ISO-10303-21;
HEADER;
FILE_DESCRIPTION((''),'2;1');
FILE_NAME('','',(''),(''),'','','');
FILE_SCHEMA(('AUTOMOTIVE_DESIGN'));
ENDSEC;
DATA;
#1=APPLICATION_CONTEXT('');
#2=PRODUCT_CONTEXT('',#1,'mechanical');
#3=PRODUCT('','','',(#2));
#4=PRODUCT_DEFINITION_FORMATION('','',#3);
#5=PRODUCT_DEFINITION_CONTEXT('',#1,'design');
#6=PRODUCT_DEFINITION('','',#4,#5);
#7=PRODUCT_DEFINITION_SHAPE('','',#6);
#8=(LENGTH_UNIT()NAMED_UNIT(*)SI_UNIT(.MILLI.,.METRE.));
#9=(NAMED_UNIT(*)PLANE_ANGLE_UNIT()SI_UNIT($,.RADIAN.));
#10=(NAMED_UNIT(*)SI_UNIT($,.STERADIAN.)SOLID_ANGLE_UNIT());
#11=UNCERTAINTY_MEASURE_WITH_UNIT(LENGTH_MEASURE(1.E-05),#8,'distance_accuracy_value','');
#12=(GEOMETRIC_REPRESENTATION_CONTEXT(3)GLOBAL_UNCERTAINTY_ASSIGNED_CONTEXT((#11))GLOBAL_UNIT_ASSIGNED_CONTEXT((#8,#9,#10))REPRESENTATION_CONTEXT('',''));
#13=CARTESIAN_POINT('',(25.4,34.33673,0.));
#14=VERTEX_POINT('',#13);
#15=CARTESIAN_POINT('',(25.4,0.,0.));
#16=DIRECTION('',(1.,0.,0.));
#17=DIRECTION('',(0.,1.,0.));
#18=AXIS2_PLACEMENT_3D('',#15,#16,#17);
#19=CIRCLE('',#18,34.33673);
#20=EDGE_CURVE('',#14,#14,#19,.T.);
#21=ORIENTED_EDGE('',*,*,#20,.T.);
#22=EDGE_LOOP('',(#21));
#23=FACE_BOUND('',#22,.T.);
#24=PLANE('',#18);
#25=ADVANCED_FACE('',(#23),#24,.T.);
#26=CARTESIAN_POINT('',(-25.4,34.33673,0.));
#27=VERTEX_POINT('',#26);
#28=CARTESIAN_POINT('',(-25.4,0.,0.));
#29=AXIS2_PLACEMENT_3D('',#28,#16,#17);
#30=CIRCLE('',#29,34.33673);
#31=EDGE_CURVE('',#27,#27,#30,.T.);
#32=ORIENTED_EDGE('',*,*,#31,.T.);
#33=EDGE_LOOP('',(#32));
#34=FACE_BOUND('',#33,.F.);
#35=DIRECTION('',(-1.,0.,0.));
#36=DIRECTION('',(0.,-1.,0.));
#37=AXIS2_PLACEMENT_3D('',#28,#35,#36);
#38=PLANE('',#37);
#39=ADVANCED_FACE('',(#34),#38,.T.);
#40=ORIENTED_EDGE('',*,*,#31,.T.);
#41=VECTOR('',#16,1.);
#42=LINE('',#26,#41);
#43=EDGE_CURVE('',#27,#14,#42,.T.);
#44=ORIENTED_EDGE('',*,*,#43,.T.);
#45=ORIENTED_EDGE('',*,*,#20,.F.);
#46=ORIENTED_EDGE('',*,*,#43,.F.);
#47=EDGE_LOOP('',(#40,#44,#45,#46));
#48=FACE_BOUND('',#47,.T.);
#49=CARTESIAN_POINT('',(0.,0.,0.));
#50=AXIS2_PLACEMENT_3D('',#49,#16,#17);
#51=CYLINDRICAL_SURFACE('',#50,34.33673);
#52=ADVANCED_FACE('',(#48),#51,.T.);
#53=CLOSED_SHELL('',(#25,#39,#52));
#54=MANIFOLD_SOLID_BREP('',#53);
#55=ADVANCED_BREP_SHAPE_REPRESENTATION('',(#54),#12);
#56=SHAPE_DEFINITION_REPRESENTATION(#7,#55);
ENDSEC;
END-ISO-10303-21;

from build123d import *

# Parameters (mm, degrees)
F0_R     = 34.33673
F1_DEPTH = 25.4


with BuildPart() as f1:
    # F0 (on Right) → F1 (new body)
    with BuildSketch(Plane.YZ):
        Circle(F0_R)
    extrude(amount=F1_DEPTH)

    # F2: F1 across plane


with BuildPart() as f1_1:
    add(f1.part)
    add(f1.part.mirror(Plane.YZ))


solid = f1_1.part
